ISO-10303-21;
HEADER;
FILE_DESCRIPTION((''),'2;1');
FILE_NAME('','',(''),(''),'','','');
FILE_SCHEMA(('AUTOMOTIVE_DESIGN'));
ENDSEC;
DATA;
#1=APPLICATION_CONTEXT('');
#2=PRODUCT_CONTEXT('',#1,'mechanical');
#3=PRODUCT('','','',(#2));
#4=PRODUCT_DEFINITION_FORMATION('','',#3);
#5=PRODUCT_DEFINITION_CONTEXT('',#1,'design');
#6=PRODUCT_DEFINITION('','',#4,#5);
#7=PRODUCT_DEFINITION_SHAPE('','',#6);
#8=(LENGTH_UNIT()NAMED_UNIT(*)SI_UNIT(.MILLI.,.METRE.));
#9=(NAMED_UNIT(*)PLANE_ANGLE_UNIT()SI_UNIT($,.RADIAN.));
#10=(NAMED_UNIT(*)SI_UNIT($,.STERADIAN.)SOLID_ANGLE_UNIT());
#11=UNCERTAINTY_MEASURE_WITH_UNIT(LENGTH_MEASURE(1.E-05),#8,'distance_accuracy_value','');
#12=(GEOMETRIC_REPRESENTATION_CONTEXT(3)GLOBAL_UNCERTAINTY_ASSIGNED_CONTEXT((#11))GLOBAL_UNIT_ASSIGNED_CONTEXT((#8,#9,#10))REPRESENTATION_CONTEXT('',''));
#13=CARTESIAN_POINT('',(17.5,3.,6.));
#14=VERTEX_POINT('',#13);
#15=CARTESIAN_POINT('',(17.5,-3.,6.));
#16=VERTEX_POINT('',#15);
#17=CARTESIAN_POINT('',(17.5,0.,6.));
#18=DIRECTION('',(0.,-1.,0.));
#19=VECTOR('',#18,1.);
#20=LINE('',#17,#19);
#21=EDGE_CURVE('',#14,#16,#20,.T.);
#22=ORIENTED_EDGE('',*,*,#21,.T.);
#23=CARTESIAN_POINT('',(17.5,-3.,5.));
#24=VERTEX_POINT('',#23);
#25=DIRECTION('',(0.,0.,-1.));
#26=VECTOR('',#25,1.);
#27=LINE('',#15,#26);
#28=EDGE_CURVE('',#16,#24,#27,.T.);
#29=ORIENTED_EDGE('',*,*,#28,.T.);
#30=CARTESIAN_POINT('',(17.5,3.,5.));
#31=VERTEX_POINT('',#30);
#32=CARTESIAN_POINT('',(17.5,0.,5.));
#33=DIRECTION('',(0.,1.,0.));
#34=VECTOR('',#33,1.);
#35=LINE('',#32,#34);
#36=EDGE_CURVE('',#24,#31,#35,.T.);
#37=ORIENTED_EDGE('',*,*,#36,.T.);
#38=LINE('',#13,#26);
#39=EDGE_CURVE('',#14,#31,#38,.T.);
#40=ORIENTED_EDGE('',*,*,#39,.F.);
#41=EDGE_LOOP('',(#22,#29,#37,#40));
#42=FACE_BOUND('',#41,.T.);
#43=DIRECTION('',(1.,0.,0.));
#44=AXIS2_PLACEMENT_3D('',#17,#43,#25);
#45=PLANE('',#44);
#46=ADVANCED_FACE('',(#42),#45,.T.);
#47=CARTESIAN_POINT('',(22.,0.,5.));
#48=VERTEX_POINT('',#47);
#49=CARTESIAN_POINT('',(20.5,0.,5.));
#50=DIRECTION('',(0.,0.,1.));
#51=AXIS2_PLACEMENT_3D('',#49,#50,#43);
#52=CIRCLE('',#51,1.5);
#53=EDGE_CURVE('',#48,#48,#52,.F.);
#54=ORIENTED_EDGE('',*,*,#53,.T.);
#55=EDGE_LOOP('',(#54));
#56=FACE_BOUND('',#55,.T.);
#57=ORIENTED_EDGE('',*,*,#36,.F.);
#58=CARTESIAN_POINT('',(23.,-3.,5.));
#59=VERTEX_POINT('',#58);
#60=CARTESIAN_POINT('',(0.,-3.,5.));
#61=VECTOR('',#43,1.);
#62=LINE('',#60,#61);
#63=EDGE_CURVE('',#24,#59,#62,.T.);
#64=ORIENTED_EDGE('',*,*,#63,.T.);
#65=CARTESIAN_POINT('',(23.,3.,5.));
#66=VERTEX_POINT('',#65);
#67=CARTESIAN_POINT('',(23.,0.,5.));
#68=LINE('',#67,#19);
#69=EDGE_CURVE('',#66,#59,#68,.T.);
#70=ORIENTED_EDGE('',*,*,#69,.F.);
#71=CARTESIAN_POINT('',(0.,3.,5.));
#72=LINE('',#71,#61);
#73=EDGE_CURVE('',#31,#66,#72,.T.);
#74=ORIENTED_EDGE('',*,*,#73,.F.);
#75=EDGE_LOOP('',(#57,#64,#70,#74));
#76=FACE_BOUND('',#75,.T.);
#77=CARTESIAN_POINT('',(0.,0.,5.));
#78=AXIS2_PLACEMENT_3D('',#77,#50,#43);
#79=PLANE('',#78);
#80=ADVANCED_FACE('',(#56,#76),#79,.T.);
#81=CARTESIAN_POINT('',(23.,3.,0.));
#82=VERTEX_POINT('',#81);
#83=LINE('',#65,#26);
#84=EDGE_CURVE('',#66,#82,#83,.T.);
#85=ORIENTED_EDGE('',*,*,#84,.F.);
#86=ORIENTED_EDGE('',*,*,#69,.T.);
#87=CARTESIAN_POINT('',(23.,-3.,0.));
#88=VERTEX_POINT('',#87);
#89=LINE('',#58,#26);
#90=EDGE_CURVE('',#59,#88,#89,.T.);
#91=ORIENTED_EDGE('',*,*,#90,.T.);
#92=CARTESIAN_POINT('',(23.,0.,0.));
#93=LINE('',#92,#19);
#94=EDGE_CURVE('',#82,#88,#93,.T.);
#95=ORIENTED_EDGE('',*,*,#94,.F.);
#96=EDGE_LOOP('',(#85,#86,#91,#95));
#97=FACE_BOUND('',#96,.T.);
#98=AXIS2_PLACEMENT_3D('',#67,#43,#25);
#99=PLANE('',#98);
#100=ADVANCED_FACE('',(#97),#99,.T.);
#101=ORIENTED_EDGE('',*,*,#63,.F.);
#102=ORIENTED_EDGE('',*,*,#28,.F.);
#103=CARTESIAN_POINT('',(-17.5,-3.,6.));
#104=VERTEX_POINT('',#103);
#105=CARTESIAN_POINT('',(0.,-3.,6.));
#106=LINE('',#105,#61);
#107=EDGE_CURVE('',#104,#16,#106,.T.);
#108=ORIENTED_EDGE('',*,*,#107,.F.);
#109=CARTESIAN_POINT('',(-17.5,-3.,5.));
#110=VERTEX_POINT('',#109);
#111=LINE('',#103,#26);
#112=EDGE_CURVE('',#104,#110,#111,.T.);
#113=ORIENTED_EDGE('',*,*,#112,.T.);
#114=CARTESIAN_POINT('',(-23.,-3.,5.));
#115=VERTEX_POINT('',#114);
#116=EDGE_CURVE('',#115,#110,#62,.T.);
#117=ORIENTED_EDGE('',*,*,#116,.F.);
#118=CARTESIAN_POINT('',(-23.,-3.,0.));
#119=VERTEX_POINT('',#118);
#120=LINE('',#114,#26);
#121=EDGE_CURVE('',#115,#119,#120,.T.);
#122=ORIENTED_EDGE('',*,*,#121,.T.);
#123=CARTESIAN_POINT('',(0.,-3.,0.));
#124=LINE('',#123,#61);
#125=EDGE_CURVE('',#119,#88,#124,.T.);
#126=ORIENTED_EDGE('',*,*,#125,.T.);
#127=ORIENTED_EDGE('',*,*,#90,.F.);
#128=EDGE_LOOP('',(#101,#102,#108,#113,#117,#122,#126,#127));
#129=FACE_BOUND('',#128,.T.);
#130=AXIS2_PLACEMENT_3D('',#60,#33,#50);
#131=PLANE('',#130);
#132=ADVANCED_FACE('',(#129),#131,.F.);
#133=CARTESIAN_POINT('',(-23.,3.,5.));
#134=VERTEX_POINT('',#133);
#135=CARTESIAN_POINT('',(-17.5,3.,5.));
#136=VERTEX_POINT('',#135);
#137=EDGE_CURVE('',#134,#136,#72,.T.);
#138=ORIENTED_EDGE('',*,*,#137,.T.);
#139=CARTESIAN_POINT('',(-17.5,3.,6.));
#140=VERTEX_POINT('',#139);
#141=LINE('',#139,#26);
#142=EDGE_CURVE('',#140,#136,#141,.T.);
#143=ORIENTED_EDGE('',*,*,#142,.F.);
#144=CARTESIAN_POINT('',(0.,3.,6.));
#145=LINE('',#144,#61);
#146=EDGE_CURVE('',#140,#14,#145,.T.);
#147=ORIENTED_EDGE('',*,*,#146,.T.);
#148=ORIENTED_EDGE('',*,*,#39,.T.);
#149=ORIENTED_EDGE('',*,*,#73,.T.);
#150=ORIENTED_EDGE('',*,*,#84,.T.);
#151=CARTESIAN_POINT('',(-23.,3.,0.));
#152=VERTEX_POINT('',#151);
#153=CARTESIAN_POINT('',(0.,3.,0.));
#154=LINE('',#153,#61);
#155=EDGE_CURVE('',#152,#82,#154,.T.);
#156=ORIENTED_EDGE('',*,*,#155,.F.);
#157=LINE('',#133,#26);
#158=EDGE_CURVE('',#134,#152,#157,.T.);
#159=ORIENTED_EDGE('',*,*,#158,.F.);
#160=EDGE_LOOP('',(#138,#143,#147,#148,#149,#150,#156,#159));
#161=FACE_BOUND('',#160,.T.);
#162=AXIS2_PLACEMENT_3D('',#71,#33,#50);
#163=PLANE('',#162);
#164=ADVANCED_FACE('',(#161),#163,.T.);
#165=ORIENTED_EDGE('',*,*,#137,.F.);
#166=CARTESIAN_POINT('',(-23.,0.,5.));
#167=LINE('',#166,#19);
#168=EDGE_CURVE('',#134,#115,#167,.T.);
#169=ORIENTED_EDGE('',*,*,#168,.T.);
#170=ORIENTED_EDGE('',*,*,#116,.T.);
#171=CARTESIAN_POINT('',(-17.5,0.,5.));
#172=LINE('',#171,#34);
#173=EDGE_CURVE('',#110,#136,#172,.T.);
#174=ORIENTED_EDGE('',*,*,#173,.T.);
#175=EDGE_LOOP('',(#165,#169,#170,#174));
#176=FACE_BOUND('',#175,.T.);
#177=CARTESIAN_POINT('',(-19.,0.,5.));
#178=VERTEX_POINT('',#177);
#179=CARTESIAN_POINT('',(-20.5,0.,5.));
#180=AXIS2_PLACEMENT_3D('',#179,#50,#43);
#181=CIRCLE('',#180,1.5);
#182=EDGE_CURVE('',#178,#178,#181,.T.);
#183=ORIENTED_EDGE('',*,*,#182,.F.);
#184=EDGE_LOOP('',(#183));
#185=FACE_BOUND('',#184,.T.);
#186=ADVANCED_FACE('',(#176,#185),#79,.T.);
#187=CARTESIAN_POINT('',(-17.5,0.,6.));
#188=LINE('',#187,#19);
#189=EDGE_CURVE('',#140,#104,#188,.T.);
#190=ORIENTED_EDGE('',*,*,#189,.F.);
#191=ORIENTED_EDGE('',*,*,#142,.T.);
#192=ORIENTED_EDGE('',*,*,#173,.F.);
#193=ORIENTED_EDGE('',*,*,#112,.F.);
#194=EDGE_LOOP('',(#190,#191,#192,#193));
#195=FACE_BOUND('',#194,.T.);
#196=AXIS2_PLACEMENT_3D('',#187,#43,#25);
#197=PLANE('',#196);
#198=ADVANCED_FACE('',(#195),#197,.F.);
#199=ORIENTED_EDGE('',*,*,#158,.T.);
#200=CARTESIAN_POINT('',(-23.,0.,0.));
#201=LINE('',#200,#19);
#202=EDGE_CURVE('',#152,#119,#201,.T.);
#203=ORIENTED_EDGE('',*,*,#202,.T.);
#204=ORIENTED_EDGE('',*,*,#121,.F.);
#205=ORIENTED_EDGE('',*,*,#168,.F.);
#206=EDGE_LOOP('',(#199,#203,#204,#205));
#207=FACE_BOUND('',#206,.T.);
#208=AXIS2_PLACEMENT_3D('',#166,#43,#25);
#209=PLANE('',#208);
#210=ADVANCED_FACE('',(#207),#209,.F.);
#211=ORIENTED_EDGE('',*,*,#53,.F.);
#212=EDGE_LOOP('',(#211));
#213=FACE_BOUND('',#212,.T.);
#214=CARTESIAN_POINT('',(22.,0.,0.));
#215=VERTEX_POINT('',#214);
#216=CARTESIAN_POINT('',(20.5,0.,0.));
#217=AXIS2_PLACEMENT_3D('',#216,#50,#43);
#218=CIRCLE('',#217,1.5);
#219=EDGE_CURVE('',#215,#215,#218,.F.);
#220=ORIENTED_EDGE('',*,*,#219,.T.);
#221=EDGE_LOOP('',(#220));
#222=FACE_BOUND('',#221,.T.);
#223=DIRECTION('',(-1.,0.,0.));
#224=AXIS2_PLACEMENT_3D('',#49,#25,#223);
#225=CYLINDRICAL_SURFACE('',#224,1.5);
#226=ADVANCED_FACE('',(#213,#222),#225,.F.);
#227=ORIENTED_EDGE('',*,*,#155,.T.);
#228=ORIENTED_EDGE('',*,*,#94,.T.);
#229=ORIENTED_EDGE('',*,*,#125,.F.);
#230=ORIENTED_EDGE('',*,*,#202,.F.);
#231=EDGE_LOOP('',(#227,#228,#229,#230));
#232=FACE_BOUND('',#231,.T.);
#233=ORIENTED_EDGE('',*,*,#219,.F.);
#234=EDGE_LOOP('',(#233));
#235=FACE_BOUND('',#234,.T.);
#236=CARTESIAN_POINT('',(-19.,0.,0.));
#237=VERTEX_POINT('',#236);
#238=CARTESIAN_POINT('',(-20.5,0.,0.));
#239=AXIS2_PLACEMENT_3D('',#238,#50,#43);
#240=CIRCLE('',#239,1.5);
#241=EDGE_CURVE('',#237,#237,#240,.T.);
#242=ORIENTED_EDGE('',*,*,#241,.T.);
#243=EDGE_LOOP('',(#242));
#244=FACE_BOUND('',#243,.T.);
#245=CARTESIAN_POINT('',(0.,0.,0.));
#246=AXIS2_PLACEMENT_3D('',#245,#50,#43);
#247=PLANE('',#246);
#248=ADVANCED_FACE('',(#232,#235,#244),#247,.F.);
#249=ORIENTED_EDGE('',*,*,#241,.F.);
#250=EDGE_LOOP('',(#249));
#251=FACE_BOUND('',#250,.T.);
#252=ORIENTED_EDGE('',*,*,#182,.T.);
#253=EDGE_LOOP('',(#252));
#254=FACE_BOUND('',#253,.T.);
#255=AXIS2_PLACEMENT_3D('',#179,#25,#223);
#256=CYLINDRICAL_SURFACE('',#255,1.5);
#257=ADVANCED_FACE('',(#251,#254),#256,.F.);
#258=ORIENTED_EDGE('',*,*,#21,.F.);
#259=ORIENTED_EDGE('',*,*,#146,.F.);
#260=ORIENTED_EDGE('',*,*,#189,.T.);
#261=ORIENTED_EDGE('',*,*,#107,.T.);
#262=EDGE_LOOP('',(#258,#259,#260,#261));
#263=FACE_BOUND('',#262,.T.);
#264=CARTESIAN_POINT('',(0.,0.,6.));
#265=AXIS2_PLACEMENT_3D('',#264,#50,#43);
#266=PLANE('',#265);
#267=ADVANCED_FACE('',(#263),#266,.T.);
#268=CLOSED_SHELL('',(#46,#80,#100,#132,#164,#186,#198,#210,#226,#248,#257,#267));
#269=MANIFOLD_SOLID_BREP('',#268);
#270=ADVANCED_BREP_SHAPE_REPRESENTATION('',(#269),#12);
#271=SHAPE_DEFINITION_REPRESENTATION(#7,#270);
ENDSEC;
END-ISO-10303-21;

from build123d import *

# Parameters (mm, degrees)
SKETCH1_W           = 46
SKETCH1_H           = 6
SKETCH1_R           = 1.5
BOSS_EXTRUDE1_DEPTH = 5
SKETCH1_3_W         = 35
SKETCH1_3_H         = 6
BOSS_EXTRUDE2_DEPTH = 6


with BuildPart() as part:
    # Sketch1 → Boss-Extrude1 (new body)
    with BuildSketch(Plane.XY):
        Rectangle(SKETCH1_W, SKETCH1_H)
        with Locations((-20.5, 0)):
            Circle(SKETCH1_R, mode=Mode.SUBTRACT)
        with Locations((20.5, 0)):
            Circle(SKETCH1_R, mode=Mode.SUBTRACT)
    extrude(amount=BOSS_EXTRUDE1_DEPTH)

    # Sketch1<3> → Boss-Extrude2 (add)
    with BuildSketch(Plane.XY):
        Rectangle(SKETCH1_3_W, SKETCH1_3_H)
    extrude(amount=BOSS_EXTRUDE2_DEPTH)


solid = part.part
